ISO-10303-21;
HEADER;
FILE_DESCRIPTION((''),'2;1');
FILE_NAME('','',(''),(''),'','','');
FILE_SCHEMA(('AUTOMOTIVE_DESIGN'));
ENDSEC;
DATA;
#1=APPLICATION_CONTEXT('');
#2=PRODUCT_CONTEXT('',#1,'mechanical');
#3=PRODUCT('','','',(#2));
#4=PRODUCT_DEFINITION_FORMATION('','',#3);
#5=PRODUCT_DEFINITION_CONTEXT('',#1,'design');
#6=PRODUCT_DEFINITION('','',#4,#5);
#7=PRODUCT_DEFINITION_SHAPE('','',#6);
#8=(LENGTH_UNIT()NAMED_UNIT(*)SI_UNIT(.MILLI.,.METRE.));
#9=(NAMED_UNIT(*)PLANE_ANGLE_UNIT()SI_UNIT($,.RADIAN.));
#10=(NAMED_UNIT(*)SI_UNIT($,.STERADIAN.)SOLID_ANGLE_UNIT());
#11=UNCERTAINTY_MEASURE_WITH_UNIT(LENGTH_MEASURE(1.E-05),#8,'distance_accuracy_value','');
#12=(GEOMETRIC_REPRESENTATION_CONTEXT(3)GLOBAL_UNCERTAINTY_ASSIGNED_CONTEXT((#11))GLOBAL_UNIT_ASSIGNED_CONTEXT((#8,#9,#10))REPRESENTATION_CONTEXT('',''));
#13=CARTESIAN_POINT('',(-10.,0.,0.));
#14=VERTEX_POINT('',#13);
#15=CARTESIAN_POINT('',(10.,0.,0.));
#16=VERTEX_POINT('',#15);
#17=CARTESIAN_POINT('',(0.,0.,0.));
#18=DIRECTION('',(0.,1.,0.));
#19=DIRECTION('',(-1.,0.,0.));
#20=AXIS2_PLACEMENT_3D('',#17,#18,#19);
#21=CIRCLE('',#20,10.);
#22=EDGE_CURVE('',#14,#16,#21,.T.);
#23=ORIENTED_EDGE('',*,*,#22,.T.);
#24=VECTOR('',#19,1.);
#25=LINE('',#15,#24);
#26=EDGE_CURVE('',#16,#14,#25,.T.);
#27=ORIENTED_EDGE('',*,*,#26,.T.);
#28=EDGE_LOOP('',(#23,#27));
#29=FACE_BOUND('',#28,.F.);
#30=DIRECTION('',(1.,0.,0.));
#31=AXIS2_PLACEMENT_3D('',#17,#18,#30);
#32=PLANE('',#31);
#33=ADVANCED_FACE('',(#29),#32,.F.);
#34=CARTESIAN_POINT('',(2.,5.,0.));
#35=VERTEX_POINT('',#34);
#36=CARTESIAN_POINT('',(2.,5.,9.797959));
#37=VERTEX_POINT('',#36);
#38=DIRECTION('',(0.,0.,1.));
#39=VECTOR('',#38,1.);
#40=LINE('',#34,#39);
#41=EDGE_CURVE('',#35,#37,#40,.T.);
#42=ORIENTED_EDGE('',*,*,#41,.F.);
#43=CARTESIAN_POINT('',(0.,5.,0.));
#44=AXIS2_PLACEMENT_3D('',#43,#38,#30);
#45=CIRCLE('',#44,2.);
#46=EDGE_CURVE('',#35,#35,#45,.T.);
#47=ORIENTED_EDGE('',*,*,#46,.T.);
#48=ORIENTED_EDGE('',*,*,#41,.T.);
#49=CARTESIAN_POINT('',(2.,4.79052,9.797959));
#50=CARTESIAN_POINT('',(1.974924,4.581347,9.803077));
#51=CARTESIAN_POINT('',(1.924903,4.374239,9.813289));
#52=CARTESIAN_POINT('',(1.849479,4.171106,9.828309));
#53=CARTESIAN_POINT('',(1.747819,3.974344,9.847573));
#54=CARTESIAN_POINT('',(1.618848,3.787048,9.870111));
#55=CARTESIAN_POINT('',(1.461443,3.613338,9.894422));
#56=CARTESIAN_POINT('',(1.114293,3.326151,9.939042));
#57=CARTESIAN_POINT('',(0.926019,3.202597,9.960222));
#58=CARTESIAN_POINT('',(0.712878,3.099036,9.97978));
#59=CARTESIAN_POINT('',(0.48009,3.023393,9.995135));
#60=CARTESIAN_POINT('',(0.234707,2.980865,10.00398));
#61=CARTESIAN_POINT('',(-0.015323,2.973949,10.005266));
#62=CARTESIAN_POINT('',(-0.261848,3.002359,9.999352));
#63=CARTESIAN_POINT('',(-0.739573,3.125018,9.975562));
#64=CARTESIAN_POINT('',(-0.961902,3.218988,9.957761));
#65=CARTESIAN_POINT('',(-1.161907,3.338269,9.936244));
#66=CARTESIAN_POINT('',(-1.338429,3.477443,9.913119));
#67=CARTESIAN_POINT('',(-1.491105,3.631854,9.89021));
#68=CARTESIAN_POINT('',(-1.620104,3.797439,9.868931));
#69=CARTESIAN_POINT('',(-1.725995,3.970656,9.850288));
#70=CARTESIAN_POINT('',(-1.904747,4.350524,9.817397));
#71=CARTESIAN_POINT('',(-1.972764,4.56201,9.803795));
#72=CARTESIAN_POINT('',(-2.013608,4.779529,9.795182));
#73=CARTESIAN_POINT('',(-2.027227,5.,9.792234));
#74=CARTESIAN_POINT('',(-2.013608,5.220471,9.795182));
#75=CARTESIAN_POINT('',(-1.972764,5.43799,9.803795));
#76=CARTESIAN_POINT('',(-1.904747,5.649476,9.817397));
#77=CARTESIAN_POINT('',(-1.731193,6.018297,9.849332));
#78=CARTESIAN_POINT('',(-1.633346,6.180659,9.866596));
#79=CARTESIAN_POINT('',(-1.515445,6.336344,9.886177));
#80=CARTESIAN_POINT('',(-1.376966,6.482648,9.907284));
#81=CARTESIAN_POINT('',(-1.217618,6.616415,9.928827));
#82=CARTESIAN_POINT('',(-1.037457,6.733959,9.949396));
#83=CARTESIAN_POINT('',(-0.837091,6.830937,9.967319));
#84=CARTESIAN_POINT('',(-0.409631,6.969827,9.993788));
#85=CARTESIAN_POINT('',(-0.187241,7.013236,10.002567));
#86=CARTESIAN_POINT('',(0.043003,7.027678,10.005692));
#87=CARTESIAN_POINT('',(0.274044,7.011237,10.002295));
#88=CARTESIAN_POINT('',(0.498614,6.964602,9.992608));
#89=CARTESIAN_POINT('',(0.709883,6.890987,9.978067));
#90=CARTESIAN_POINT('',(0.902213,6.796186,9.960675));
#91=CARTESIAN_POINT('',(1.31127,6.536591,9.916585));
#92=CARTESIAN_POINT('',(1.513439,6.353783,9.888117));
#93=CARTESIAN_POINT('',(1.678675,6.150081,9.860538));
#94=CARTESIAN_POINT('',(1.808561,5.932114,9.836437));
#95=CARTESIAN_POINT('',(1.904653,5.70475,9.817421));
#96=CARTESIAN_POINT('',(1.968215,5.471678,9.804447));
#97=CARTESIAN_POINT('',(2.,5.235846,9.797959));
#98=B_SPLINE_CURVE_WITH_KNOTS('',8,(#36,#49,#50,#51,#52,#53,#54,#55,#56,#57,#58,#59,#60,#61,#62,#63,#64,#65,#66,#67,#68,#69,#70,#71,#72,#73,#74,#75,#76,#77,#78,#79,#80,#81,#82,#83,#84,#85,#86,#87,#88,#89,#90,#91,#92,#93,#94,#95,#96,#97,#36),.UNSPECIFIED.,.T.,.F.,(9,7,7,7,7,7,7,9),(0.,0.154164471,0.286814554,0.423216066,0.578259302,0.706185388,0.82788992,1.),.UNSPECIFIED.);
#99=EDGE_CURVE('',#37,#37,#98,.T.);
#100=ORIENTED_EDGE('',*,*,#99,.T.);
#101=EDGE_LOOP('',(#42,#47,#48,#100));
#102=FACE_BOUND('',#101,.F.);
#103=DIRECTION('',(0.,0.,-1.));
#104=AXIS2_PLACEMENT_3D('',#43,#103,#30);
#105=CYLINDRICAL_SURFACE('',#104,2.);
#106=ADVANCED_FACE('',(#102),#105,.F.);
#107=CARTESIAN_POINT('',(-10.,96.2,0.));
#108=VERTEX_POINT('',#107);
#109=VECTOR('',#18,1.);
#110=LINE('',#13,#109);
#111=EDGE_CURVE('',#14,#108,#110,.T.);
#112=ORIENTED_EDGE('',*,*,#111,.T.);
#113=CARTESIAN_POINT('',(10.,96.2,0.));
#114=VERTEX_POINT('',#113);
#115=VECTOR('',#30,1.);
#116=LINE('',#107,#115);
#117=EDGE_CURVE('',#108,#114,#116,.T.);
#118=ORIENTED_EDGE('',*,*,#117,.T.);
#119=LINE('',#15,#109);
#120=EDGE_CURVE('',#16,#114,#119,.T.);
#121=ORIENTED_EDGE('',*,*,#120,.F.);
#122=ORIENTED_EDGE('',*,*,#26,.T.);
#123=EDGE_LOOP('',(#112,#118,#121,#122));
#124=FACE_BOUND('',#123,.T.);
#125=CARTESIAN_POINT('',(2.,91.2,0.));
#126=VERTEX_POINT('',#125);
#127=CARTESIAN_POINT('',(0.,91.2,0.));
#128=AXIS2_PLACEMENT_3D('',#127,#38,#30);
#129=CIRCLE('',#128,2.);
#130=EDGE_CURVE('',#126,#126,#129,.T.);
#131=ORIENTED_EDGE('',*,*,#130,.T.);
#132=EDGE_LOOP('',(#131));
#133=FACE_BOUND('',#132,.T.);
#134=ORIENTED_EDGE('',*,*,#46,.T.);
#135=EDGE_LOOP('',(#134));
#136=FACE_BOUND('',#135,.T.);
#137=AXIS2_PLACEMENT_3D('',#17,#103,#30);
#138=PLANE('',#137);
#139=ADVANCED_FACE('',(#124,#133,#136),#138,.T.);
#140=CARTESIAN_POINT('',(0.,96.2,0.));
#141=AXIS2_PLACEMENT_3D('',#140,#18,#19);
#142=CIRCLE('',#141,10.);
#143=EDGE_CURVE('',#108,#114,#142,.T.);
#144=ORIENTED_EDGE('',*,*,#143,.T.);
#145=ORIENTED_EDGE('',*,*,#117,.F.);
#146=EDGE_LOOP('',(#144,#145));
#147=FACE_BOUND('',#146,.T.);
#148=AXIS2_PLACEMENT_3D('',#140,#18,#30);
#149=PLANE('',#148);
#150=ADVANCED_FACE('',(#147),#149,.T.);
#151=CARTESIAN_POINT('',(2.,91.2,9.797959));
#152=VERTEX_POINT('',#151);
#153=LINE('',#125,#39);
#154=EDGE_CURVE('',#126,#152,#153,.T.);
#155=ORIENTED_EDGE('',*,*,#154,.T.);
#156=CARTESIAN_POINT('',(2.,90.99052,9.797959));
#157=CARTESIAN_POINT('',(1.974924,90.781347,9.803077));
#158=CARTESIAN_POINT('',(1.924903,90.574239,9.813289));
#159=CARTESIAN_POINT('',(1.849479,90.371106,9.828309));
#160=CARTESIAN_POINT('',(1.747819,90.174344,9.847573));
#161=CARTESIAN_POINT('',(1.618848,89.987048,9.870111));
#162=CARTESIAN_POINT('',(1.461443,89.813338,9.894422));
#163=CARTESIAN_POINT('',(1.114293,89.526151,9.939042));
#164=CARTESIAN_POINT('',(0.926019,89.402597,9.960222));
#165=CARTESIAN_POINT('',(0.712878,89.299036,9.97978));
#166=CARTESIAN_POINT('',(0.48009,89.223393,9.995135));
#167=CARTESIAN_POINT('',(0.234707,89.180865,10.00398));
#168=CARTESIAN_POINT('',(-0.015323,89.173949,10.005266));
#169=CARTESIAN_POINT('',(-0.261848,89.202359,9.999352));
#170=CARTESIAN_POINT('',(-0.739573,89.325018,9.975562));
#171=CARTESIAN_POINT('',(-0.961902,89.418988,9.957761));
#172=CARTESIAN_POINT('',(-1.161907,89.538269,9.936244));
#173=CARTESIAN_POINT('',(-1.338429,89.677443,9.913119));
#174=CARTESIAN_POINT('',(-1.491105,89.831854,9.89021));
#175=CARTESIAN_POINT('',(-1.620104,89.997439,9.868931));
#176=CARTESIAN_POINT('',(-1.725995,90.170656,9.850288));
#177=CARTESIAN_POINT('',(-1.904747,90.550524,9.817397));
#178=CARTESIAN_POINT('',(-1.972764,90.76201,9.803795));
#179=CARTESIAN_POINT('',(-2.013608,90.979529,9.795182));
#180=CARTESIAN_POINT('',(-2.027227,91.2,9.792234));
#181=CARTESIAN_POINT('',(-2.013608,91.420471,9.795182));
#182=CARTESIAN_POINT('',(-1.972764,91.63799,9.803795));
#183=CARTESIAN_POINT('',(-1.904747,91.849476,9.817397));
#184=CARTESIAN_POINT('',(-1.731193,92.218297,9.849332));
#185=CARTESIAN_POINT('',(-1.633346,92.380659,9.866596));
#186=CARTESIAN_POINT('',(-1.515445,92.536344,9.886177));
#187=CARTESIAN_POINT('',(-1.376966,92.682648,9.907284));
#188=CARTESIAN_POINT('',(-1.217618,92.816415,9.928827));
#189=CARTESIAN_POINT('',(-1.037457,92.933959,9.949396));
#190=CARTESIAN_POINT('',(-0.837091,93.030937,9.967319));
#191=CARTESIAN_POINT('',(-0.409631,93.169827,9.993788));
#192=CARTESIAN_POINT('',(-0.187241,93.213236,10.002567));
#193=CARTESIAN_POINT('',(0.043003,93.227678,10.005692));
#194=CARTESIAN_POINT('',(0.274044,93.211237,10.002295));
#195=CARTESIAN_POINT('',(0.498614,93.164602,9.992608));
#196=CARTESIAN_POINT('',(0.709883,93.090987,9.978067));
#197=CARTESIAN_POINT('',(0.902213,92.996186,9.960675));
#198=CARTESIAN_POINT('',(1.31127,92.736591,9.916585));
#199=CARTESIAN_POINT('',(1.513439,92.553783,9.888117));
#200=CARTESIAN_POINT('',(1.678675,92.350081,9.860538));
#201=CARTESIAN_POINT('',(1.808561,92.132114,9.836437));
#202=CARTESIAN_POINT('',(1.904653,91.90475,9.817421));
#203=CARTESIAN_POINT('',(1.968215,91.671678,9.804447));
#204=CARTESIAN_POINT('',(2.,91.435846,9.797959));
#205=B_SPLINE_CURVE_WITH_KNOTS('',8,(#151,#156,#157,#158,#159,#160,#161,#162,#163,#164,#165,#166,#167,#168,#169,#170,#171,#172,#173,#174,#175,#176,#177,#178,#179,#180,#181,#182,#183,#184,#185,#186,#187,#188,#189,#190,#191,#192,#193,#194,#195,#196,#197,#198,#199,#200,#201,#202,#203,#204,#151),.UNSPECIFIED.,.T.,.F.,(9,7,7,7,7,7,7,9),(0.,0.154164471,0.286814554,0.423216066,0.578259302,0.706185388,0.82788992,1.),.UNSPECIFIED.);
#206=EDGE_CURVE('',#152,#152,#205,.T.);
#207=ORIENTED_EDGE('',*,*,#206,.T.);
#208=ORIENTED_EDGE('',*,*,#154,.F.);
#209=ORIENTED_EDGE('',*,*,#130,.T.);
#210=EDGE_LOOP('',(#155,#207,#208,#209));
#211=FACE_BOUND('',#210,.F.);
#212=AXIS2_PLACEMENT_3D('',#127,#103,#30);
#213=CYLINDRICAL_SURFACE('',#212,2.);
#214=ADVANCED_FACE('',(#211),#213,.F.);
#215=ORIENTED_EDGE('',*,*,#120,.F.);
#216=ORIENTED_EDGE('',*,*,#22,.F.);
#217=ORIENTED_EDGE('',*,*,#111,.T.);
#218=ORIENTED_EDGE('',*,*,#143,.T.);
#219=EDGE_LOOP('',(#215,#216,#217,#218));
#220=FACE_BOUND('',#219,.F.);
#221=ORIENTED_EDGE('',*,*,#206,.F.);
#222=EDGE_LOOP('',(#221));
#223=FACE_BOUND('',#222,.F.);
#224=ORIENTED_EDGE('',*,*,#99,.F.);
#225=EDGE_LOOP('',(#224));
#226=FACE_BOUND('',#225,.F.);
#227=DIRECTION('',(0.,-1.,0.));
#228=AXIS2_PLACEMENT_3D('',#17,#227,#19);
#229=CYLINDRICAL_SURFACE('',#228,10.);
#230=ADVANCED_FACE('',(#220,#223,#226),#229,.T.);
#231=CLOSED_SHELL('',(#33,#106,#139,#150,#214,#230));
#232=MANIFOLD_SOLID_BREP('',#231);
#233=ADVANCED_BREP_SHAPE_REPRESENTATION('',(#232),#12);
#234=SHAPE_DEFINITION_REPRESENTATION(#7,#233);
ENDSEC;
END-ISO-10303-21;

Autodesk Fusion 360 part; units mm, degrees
sketch "Sketch1" plane through (0, 0, 0) normal (0, 1, 0) x (1, 0, 0)
  line L0 (0, 0) -> (10, 0)
  line L1 (0, 0) -> (-10, 0)
  arc A0 (-10, 0) -> (10, 0) centre (0, 0) ccw
  dimension "d1" = 10
  dimension "d2" = 10
extrude "Extrude1" add sketch "Sketch1" along normal blind 96.2
sketch "Sketch2" plane through (0, 0, 0) normal (0, 0, -1) x (1, 0, 0)
  line L0 (10, 0) -> (-10, 0)
  line L1 (-10, 0) -> (-10, -96.2)
  line L2 (-10, -96.2) -> (10, -96.2)
  line L3 (10, -96.2) -> (10, 0)
  line L4 (10, -48.1) -> (-10, -48.1)
  line L5 (10, -48.1) -> (10, -10)
  line L6 (10, -48.1) -> (10, -86.2)
  line L7 (10, -10) -> (10, -5)
  line L8 (10, -5) -> (0, -5)
  circle A0 centre (0, -5) radius 2
  line L9 (10, -86.2) -> (10, -91.2)
  line L10 (10, -91.2) -> (0, -91.2)
  circle A1 centre (0, -91.2) radius 2
  dimension "d6" = 38.1
  dimension "d7" = 38.1
  dimension "d8" = 5
  dimension "d9" = 4
  dimension "d10" = 5
  dimension "d11" = 4
extrude "Extrude2" cut sketch "Sketch2" against normal blind 20.439 contours A0 | A1
